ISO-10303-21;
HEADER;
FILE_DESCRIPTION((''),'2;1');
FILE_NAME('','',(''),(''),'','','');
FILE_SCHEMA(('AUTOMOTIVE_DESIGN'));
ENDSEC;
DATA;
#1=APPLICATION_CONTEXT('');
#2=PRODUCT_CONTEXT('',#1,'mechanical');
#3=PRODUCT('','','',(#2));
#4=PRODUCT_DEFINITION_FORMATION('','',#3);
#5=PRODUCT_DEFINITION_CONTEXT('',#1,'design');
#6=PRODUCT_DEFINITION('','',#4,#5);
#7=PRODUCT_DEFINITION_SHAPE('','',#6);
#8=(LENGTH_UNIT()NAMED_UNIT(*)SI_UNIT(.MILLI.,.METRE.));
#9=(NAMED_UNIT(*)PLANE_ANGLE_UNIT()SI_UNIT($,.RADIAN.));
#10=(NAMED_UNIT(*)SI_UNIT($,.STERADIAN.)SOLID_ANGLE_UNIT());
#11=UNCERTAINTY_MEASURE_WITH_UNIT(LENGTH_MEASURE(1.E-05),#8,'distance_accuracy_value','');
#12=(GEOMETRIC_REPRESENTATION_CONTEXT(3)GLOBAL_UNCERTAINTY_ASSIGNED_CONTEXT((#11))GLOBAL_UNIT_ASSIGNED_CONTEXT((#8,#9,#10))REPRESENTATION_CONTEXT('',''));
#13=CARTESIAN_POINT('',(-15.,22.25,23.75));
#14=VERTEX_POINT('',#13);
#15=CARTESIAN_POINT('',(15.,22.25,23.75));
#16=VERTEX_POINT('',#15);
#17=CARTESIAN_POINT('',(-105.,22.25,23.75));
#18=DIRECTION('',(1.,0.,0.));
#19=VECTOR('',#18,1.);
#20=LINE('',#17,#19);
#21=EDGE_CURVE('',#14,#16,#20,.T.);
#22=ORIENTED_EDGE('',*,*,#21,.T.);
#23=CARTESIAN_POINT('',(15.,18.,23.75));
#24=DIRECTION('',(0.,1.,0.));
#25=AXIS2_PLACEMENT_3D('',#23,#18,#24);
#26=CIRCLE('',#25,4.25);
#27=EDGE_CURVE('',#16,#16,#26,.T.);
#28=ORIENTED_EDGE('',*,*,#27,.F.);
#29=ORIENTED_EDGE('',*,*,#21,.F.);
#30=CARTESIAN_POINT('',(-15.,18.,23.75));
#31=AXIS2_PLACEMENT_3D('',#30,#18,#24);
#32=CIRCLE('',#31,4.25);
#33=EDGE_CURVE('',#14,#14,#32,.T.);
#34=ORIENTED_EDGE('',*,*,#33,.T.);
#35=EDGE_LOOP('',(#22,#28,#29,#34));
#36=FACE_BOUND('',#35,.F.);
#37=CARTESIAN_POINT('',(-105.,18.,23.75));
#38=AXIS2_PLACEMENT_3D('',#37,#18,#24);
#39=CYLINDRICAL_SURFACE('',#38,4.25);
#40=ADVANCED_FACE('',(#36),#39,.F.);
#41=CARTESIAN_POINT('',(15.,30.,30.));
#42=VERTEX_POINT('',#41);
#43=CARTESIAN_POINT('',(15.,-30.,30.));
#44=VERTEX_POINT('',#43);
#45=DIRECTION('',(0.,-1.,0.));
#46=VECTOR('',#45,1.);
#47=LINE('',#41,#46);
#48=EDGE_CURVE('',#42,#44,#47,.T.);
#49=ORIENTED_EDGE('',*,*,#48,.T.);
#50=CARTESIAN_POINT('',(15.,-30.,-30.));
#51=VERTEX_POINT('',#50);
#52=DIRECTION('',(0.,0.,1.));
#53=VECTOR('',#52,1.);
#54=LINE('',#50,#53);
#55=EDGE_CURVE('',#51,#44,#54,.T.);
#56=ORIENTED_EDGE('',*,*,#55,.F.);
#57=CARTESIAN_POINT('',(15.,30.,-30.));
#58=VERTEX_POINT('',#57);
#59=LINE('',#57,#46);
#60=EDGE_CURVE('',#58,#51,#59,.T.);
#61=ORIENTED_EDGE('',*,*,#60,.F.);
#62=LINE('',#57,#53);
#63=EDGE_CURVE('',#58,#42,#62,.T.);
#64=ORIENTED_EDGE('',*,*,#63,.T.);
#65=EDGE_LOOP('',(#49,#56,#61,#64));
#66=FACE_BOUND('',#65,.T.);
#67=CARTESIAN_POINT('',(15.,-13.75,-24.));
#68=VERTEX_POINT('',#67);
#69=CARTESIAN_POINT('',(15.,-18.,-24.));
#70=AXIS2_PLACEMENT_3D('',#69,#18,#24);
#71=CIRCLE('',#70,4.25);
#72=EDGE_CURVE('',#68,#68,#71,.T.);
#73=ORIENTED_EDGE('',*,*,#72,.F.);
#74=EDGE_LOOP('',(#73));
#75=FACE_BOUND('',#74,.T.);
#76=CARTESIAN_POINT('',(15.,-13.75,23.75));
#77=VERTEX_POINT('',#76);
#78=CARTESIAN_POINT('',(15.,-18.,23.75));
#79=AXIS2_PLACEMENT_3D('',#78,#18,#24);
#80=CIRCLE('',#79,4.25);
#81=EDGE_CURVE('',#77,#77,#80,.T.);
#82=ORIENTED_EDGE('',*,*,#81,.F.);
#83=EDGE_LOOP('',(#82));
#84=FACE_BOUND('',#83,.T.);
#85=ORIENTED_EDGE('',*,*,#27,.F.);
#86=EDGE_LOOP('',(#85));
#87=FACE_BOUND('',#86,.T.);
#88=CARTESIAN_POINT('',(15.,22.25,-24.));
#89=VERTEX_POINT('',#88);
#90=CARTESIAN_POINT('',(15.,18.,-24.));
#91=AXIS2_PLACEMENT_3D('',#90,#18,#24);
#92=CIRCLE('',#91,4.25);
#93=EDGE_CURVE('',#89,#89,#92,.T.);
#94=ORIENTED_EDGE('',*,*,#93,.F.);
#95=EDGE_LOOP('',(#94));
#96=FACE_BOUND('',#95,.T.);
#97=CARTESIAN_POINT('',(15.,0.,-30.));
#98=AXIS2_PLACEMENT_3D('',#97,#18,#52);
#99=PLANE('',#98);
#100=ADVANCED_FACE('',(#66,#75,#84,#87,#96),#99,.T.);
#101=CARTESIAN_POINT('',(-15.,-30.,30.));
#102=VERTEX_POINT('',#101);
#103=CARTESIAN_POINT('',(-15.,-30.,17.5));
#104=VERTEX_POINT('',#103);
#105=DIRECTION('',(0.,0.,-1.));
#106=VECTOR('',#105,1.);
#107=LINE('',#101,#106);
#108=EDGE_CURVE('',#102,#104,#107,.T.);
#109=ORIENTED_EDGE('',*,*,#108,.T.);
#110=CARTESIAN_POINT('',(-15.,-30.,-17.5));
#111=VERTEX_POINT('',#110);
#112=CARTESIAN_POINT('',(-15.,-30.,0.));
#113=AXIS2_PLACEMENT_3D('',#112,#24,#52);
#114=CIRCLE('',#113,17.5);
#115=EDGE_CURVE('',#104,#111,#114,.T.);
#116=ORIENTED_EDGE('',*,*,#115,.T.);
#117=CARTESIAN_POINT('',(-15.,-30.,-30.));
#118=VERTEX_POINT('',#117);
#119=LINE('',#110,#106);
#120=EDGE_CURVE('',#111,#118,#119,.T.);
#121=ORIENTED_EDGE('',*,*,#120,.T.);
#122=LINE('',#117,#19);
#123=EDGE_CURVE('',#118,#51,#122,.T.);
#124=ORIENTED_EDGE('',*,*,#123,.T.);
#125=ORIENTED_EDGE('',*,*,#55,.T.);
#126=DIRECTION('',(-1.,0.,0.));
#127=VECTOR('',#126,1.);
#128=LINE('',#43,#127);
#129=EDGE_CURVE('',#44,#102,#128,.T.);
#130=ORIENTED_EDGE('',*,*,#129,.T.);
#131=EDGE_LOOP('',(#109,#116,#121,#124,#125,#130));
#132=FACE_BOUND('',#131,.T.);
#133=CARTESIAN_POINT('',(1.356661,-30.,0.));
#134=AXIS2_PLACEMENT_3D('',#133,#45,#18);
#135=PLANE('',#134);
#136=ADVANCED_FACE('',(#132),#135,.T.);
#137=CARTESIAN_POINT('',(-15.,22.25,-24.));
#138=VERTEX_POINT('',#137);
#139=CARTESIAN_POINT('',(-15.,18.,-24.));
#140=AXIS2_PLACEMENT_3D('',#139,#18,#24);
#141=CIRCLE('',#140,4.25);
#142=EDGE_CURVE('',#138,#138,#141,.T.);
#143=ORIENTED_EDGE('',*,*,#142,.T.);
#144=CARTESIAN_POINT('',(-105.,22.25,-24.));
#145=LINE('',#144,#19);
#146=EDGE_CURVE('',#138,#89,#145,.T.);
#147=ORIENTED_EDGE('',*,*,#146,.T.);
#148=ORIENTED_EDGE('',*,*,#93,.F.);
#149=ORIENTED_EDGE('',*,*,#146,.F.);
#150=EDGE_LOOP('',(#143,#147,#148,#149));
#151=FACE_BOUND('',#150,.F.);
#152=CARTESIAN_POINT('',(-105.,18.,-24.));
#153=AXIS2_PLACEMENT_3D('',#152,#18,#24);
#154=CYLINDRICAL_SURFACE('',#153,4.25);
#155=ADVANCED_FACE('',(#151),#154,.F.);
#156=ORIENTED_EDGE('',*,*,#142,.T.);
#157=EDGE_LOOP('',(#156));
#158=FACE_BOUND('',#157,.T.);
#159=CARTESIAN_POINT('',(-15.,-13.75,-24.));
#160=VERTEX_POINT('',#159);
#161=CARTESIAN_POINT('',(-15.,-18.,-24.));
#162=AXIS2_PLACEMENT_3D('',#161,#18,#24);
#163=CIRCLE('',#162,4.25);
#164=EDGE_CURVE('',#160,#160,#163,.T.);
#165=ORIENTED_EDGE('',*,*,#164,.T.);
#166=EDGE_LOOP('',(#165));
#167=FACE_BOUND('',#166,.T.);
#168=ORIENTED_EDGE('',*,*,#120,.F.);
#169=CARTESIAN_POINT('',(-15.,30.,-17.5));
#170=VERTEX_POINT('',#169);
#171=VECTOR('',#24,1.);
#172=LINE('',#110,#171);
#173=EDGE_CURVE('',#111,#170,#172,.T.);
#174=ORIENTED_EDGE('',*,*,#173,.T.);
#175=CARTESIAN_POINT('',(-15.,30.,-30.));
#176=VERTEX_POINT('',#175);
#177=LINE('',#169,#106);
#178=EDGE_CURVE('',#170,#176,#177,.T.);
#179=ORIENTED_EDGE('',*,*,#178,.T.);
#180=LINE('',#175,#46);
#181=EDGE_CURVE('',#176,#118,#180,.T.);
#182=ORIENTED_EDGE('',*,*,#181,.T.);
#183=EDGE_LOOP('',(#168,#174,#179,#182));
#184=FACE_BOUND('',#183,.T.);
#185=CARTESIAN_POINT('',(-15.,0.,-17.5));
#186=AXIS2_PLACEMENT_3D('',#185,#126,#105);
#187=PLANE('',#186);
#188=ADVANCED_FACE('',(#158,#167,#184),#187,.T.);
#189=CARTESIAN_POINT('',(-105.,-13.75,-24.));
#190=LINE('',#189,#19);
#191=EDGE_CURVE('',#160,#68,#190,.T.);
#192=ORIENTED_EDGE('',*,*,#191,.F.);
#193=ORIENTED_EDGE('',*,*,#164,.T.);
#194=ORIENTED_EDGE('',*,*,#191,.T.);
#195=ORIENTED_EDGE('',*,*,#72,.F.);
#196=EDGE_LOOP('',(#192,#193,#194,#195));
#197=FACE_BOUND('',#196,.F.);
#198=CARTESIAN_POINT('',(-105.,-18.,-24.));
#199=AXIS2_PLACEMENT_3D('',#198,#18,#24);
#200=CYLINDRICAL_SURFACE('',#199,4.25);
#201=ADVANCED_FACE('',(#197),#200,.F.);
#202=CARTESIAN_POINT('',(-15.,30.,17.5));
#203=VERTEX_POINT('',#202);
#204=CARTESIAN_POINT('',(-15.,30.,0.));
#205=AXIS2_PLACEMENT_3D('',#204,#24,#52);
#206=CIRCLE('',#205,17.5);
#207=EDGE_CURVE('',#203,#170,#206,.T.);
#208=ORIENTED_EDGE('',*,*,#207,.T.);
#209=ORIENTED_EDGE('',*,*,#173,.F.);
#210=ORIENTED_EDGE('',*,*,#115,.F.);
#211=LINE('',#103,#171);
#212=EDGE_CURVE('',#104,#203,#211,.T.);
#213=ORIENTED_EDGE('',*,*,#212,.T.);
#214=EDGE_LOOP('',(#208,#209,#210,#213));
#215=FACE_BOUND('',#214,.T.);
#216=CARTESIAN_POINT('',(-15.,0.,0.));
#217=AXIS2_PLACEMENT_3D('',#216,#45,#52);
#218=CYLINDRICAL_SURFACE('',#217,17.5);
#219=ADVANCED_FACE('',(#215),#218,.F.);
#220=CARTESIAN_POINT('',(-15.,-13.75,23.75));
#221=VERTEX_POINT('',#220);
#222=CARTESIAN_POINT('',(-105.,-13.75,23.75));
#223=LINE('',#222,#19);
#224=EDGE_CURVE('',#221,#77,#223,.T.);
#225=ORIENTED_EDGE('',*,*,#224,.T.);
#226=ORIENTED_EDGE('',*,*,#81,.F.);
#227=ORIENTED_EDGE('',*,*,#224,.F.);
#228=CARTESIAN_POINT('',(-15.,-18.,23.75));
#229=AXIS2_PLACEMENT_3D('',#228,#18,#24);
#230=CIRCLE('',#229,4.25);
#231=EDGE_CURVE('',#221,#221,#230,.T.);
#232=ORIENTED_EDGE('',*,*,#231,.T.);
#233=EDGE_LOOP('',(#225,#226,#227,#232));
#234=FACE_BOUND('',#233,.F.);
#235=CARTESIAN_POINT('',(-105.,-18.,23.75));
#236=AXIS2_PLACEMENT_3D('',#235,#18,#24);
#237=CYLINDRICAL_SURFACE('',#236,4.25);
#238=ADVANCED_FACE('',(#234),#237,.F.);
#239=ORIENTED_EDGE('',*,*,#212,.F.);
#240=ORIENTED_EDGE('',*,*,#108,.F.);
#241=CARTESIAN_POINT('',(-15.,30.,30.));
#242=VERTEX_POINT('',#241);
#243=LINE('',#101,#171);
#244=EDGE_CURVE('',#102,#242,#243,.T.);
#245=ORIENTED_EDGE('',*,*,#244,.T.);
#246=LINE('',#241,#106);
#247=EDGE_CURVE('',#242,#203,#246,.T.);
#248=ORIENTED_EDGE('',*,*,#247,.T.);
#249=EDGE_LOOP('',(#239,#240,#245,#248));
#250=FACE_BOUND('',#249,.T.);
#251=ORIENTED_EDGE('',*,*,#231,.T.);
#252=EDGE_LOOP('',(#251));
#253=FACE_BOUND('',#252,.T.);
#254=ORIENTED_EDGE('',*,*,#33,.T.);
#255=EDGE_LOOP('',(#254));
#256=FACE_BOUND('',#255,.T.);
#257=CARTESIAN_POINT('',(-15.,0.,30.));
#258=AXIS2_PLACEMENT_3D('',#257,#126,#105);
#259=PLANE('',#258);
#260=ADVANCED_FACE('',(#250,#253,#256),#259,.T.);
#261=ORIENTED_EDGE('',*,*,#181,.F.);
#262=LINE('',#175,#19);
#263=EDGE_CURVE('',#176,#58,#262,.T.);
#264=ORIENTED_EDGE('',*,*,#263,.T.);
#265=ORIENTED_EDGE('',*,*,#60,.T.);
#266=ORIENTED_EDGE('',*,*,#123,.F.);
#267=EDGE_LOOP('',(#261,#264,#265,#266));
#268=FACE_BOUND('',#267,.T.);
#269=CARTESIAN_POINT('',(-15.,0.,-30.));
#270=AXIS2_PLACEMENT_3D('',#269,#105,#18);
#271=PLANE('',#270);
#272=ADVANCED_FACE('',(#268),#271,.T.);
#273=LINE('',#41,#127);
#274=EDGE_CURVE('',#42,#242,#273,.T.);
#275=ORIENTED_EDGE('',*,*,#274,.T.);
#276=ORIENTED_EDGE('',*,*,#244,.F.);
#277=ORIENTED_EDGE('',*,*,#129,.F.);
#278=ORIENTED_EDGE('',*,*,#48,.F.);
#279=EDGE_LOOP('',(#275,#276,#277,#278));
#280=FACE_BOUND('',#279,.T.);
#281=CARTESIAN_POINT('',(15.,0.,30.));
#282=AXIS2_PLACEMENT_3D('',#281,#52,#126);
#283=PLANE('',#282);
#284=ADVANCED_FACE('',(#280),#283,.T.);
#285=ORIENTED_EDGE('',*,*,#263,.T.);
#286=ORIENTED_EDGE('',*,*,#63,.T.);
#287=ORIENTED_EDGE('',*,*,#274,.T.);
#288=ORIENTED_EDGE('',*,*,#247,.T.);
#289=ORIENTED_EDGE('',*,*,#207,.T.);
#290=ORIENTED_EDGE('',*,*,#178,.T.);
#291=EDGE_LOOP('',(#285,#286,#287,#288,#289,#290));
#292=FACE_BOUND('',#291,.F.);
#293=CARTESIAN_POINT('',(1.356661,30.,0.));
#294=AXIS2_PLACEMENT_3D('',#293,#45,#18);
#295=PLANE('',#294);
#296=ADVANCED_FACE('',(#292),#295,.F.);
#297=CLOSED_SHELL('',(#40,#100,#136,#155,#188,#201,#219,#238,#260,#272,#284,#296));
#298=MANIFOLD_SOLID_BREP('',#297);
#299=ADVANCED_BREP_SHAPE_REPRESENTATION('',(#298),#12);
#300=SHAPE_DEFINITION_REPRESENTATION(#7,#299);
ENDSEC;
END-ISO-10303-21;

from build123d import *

# Parameters (mm, degrees)
F1_DEPTH = 30
F3_D     = 8.5


with BuildPart() as f1:
    # F0 (on Front) → F1 (new body, symmetric)
    with BuildSketch(Plane.XZ):
        with BuildLine():
            Line((-15, -17.5), (-15, -30))
            Line((-15, -30), (15, -30))
            Line((15, -30), (15, 30))
            Line((15, 30), (-15, 30))
            Line((-15, 30), (-15, 17.5))
            ThreePointArc((-15, 17.5), (2.5, 0), (-15, -17.5))
        make_face()
    extrude(amount=F1_DEPTH, both=True)

    # F3 (through all)
    with Locations(Plane(origin=(-15, 0, 0), x_dir=(0, -1, 0), z_dir=(-1, 0, 0))):
        with Locations((18, 23.75), (-18, 23.75), (-18, -24), (18, -24)):
            Hole(F3_D / 2)


solid = f1.part
